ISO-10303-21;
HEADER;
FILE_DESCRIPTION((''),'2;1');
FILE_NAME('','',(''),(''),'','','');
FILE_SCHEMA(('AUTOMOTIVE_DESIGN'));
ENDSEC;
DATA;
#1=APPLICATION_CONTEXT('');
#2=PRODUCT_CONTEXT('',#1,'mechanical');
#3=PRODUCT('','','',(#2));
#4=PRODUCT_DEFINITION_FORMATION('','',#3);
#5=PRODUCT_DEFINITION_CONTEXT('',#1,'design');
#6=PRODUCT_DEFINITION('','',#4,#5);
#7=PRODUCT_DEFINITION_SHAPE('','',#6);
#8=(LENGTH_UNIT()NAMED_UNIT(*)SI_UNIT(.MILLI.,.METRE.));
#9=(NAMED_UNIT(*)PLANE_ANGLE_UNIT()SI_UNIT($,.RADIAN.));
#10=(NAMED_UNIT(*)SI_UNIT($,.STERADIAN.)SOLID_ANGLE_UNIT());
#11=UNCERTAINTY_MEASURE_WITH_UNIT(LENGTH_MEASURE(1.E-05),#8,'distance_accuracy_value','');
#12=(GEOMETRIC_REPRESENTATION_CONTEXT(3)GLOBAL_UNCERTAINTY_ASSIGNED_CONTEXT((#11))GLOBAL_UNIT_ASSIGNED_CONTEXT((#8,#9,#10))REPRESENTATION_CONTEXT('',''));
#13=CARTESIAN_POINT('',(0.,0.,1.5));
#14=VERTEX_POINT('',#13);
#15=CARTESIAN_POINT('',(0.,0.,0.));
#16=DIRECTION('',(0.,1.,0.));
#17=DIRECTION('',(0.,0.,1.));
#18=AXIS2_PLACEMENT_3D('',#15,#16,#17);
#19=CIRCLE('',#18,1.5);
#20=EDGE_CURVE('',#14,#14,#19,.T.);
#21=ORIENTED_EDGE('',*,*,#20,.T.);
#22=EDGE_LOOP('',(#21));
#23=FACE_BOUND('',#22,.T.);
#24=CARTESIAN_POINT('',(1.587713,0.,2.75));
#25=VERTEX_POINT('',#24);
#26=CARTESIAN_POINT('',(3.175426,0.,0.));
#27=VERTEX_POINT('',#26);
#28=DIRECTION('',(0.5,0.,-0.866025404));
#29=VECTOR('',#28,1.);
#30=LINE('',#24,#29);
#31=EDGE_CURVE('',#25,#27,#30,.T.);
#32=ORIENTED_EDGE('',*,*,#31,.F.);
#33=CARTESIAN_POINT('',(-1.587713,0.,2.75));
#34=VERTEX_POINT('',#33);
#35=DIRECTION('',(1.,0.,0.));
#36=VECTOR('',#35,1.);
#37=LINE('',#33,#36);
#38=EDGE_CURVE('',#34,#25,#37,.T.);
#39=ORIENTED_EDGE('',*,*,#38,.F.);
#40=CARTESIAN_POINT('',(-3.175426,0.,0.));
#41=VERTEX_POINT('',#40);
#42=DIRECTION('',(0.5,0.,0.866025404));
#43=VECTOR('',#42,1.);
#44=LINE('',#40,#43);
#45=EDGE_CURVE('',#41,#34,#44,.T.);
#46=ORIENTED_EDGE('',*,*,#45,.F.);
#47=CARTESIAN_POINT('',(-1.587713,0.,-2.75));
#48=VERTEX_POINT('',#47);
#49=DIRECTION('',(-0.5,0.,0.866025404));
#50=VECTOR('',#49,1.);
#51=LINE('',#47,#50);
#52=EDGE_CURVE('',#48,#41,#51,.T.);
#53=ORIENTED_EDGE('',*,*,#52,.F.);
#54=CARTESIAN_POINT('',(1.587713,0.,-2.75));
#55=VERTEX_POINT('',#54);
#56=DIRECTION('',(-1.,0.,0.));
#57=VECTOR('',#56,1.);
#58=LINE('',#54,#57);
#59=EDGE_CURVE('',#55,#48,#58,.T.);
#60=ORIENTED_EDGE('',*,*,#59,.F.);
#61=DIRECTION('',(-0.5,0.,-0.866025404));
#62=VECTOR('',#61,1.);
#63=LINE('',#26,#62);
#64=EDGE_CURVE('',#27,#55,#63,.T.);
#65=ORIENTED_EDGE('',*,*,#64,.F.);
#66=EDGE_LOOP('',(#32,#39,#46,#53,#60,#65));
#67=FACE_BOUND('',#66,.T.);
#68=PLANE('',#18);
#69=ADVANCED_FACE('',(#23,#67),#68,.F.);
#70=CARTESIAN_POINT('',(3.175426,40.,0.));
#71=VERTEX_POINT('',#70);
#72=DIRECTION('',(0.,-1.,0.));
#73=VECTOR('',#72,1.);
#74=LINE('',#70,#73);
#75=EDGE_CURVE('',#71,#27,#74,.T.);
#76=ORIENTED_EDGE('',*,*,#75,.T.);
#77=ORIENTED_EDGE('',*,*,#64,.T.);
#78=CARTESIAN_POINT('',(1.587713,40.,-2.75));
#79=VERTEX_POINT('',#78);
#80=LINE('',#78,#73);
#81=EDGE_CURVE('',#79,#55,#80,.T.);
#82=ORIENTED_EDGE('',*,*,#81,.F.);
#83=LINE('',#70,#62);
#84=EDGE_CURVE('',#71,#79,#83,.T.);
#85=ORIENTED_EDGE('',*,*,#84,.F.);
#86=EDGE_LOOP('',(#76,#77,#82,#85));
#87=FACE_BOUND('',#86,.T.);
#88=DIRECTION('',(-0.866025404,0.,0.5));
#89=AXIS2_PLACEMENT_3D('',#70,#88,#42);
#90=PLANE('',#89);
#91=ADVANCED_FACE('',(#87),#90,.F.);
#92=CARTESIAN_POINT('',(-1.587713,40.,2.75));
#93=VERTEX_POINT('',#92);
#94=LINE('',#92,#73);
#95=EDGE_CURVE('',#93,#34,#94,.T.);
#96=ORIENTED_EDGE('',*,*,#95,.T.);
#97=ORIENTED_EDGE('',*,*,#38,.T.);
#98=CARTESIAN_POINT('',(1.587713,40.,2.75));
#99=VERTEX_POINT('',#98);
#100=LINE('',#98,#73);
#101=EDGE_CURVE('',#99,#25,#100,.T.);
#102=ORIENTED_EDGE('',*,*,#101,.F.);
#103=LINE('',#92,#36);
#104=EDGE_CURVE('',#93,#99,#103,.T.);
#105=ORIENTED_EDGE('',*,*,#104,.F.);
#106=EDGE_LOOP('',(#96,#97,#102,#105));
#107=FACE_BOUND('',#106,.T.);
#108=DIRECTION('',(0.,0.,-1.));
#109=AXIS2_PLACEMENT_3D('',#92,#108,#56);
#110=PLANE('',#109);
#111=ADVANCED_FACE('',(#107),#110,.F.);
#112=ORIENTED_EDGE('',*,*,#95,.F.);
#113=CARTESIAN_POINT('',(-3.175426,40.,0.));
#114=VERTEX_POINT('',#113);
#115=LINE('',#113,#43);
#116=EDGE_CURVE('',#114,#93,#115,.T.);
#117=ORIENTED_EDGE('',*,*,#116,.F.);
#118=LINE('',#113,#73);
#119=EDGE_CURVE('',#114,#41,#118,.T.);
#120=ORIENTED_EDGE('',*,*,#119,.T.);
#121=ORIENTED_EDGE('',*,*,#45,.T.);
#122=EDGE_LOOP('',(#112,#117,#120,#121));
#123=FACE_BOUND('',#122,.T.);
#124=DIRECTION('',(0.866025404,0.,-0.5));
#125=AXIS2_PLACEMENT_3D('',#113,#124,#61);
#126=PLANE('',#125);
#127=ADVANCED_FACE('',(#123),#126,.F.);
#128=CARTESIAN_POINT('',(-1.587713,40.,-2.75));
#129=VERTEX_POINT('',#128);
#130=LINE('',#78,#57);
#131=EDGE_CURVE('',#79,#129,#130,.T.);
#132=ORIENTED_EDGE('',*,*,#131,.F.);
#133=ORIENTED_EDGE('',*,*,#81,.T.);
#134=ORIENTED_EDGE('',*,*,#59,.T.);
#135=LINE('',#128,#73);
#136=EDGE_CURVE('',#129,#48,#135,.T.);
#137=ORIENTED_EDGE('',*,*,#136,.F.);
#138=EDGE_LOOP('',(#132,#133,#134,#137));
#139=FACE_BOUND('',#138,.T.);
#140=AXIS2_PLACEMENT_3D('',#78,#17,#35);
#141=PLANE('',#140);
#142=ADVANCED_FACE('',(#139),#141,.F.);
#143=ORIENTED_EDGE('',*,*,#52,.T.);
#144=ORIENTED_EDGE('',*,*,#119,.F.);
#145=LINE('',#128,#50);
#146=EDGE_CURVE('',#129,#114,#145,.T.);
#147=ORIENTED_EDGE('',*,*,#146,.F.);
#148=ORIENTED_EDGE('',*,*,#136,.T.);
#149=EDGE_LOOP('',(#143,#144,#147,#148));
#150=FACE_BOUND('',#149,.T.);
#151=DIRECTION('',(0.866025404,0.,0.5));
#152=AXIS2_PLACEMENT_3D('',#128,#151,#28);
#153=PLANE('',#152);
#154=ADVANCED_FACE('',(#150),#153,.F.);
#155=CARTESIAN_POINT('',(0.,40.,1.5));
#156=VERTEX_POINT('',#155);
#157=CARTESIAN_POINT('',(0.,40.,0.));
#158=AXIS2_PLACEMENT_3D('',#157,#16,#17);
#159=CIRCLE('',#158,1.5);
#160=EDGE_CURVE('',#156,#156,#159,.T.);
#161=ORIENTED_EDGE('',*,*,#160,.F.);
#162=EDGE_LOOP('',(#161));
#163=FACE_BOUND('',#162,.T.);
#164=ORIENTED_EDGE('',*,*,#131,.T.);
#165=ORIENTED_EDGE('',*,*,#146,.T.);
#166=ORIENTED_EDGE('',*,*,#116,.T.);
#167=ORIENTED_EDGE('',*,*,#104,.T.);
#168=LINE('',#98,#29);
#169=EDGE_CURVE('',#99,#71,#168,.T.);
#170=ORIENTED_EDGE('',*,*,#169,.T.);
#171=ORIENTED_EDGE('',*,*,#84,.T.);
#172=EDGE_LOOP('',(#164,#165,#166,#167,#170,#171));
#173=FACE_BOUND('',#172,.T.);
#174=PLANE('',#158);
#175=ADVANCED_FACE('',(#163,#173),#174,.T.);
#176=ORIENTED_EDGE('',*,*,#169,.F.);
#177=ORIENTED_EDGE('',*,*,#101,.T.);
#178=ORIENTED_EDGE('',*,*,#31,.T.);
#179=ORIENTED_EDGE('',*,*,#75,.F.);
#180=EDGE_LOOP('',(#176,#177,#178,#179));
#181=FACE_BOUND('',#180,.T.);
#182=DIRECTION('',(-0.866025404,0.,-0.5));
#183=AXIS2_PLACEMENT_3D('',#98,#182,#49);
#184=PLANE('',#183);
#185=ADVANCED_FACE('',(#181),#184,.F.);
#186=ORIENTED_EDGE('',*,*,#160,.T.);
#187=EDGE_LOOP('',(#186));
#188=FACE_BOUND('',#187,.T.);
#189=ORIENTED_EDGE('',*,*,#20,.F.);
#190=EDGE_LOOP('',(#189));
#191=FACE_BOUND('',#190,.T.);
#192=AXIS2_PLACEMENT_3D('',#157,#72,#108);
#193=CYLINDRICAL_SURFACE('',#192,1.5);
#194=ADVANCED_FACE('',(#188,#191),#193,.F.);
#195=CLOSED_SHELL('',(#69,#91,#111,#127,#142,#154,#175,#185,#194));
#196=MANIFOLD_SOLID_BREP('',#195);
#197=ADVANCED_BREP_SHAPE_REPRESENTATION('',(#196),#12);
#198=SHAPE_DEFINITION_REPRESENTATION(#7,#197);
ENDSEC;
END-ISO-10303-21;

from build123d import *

# Parameters (mm, degrees)
SKETCH_1_R      = 1.5
EXTRUDE_1_DEPTH = 40


with BuildPart() as part:
    # 草图1 → 凸台-拉伸1 (new body)
    with BuildSketch(Plane(origin=(0, 0, 0), x_dir=(1, 0, 0), z_dir=(0, 1, 0))):
        Polygon((3.175426481, 0), (1.58771324, 2.75), (-1.58771324, 2.75), (-3.175426481, 0), (-1.58771324, -2.75), (1.58771324, -2.75), align=None)
        with Locations(Location((0, 0, 0), (0, 0, 270))):
            Circle(SKETCH_1_R, mode=Mode.SUBTRACT)
    extrude(amount=EXTRUDE_1_DEPTH)


solid = part.part
